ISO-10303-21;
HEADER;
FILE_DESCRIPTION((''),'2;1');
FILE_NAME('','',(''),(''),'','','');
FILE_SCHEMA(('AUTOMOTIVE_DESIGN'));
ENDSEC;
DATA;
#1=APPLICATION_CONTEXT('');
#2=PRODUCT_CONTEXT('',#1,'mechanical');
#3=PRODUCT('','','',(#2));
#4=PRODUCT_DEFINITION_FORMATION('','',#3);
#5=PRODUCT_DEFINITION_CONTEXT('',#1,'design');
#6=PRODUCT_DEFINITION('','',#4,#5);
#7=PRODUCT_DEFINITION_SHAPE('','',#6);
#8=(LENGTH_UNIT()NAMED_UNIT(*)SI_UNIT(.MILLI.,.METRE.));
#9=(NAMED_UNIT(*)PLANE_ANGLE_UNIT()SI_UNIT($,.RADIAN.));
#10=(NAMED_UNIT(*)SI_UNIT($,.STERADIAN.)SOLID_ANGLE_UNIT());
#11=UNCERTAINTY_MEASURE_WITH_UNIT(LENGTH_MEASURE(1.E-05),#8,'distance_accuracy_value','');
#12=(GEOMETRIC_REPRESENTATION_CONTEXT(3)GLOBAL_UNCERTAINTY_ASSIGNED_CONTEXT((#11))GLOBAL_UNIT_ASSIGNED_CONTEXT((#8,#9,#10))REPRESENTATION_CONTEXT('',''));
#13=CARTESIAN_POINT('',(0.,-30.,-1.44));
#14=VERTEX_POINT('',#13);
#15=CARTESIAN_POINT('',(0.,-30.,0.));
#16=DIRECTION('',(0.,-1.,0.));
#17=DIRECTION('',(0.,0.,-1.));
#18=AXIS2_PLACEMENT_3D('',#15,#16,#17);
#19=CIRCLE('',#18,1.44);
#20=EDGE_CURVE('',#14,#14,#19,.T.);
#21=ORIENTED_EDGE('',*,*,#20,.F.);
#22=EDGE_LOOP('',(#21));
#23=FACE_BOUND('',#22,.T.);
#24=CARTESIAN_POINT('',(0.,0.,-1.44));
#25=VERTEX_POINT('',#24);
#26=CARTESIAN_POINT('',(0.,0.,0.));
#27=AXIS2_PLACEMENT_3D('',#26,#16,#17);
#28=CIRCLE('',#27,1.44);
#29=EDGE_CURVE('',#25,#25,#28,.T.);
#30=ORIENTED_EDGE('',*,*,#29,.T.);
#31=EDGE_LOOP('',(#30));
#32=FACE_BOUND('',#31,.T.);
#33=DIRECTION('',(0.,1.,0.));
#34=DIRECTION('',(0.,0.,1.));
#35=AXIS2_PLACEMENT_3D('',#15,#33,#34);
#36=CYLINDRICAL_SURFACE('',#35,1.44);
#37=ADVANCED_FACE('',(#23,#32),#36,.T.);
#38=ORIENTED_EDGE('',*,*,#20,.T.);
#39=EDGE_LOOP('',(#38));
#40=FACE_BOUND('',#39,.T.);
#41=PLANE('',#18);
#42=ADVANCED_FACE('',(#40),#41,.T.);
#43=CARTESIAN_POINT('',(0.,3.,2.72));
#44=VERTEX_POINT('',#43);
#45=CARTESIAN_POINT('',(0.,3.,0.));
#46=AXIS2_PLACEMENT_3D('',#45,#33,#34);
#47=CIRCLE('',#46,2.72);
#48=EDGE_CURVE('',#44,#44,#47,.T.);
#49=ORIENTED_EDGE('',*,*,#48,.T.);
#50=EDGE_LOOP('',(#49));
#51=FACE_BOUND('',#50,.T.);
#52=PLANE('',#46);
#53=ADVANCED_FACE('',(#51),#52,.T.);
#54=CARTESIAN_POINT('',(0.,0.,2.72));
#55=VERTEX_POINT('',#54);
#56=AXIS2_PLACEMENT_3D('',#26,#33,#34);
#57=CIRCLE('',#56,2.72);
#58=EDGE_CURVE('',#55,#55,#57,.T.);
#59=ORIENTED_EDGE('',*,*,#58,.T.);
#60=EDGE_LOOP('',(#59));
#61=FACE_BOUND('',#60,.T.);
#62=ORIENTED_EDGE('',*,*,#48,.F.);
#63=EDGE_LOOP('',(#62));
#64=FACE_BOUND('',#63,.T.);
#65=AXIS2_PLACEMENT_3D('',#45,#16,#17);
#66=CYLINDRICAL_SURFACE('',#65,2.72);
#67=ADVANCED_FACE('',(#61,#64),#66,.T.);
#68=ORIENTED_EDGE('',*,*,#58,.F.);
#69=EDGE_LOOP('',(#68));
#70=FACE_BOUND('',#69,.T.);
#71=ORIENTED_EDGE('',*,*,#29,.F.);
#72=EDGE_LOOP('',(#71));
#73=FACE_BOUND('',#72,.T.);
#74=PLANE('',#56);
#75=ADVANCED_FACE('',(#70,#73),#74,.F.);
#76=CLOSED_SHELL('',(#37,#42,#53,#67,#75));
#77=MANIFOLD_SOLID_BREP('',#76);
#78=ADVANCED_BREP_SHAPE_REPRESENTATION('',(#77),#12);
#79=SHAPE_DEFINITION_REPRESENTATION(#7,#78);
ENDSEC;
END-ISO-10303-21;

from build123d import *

# Parameters (mm, degrees)
SKETCH1_R           = 2.72
BOSS_EXTRUDE1_DEPTH = 3
SKETCH2_R           = 1.44
BOSS_EXTRUDE2_DEPTH = 30


with BuildPart() as part:
    # Sketch1 → Boss-Extrude1 (new body)
    with BuildSketch(Plane(origin=(0, 0, 0), x_dir=(1, 0, 0), z_dir=(0, 1, 0))):
        Circle(SKETCH1_R)
    extrude(amount=BOSS_EXTRUDE1_DEPTH)

    # Sketch2 → Boss-Extrude2 (add)
    with BuildSketch(Plane.XZ):
        Circle(SKETCH2_R)
    extrude(amount=BOSS_EXTRUDE2_DEPTH)


solid = part.part
